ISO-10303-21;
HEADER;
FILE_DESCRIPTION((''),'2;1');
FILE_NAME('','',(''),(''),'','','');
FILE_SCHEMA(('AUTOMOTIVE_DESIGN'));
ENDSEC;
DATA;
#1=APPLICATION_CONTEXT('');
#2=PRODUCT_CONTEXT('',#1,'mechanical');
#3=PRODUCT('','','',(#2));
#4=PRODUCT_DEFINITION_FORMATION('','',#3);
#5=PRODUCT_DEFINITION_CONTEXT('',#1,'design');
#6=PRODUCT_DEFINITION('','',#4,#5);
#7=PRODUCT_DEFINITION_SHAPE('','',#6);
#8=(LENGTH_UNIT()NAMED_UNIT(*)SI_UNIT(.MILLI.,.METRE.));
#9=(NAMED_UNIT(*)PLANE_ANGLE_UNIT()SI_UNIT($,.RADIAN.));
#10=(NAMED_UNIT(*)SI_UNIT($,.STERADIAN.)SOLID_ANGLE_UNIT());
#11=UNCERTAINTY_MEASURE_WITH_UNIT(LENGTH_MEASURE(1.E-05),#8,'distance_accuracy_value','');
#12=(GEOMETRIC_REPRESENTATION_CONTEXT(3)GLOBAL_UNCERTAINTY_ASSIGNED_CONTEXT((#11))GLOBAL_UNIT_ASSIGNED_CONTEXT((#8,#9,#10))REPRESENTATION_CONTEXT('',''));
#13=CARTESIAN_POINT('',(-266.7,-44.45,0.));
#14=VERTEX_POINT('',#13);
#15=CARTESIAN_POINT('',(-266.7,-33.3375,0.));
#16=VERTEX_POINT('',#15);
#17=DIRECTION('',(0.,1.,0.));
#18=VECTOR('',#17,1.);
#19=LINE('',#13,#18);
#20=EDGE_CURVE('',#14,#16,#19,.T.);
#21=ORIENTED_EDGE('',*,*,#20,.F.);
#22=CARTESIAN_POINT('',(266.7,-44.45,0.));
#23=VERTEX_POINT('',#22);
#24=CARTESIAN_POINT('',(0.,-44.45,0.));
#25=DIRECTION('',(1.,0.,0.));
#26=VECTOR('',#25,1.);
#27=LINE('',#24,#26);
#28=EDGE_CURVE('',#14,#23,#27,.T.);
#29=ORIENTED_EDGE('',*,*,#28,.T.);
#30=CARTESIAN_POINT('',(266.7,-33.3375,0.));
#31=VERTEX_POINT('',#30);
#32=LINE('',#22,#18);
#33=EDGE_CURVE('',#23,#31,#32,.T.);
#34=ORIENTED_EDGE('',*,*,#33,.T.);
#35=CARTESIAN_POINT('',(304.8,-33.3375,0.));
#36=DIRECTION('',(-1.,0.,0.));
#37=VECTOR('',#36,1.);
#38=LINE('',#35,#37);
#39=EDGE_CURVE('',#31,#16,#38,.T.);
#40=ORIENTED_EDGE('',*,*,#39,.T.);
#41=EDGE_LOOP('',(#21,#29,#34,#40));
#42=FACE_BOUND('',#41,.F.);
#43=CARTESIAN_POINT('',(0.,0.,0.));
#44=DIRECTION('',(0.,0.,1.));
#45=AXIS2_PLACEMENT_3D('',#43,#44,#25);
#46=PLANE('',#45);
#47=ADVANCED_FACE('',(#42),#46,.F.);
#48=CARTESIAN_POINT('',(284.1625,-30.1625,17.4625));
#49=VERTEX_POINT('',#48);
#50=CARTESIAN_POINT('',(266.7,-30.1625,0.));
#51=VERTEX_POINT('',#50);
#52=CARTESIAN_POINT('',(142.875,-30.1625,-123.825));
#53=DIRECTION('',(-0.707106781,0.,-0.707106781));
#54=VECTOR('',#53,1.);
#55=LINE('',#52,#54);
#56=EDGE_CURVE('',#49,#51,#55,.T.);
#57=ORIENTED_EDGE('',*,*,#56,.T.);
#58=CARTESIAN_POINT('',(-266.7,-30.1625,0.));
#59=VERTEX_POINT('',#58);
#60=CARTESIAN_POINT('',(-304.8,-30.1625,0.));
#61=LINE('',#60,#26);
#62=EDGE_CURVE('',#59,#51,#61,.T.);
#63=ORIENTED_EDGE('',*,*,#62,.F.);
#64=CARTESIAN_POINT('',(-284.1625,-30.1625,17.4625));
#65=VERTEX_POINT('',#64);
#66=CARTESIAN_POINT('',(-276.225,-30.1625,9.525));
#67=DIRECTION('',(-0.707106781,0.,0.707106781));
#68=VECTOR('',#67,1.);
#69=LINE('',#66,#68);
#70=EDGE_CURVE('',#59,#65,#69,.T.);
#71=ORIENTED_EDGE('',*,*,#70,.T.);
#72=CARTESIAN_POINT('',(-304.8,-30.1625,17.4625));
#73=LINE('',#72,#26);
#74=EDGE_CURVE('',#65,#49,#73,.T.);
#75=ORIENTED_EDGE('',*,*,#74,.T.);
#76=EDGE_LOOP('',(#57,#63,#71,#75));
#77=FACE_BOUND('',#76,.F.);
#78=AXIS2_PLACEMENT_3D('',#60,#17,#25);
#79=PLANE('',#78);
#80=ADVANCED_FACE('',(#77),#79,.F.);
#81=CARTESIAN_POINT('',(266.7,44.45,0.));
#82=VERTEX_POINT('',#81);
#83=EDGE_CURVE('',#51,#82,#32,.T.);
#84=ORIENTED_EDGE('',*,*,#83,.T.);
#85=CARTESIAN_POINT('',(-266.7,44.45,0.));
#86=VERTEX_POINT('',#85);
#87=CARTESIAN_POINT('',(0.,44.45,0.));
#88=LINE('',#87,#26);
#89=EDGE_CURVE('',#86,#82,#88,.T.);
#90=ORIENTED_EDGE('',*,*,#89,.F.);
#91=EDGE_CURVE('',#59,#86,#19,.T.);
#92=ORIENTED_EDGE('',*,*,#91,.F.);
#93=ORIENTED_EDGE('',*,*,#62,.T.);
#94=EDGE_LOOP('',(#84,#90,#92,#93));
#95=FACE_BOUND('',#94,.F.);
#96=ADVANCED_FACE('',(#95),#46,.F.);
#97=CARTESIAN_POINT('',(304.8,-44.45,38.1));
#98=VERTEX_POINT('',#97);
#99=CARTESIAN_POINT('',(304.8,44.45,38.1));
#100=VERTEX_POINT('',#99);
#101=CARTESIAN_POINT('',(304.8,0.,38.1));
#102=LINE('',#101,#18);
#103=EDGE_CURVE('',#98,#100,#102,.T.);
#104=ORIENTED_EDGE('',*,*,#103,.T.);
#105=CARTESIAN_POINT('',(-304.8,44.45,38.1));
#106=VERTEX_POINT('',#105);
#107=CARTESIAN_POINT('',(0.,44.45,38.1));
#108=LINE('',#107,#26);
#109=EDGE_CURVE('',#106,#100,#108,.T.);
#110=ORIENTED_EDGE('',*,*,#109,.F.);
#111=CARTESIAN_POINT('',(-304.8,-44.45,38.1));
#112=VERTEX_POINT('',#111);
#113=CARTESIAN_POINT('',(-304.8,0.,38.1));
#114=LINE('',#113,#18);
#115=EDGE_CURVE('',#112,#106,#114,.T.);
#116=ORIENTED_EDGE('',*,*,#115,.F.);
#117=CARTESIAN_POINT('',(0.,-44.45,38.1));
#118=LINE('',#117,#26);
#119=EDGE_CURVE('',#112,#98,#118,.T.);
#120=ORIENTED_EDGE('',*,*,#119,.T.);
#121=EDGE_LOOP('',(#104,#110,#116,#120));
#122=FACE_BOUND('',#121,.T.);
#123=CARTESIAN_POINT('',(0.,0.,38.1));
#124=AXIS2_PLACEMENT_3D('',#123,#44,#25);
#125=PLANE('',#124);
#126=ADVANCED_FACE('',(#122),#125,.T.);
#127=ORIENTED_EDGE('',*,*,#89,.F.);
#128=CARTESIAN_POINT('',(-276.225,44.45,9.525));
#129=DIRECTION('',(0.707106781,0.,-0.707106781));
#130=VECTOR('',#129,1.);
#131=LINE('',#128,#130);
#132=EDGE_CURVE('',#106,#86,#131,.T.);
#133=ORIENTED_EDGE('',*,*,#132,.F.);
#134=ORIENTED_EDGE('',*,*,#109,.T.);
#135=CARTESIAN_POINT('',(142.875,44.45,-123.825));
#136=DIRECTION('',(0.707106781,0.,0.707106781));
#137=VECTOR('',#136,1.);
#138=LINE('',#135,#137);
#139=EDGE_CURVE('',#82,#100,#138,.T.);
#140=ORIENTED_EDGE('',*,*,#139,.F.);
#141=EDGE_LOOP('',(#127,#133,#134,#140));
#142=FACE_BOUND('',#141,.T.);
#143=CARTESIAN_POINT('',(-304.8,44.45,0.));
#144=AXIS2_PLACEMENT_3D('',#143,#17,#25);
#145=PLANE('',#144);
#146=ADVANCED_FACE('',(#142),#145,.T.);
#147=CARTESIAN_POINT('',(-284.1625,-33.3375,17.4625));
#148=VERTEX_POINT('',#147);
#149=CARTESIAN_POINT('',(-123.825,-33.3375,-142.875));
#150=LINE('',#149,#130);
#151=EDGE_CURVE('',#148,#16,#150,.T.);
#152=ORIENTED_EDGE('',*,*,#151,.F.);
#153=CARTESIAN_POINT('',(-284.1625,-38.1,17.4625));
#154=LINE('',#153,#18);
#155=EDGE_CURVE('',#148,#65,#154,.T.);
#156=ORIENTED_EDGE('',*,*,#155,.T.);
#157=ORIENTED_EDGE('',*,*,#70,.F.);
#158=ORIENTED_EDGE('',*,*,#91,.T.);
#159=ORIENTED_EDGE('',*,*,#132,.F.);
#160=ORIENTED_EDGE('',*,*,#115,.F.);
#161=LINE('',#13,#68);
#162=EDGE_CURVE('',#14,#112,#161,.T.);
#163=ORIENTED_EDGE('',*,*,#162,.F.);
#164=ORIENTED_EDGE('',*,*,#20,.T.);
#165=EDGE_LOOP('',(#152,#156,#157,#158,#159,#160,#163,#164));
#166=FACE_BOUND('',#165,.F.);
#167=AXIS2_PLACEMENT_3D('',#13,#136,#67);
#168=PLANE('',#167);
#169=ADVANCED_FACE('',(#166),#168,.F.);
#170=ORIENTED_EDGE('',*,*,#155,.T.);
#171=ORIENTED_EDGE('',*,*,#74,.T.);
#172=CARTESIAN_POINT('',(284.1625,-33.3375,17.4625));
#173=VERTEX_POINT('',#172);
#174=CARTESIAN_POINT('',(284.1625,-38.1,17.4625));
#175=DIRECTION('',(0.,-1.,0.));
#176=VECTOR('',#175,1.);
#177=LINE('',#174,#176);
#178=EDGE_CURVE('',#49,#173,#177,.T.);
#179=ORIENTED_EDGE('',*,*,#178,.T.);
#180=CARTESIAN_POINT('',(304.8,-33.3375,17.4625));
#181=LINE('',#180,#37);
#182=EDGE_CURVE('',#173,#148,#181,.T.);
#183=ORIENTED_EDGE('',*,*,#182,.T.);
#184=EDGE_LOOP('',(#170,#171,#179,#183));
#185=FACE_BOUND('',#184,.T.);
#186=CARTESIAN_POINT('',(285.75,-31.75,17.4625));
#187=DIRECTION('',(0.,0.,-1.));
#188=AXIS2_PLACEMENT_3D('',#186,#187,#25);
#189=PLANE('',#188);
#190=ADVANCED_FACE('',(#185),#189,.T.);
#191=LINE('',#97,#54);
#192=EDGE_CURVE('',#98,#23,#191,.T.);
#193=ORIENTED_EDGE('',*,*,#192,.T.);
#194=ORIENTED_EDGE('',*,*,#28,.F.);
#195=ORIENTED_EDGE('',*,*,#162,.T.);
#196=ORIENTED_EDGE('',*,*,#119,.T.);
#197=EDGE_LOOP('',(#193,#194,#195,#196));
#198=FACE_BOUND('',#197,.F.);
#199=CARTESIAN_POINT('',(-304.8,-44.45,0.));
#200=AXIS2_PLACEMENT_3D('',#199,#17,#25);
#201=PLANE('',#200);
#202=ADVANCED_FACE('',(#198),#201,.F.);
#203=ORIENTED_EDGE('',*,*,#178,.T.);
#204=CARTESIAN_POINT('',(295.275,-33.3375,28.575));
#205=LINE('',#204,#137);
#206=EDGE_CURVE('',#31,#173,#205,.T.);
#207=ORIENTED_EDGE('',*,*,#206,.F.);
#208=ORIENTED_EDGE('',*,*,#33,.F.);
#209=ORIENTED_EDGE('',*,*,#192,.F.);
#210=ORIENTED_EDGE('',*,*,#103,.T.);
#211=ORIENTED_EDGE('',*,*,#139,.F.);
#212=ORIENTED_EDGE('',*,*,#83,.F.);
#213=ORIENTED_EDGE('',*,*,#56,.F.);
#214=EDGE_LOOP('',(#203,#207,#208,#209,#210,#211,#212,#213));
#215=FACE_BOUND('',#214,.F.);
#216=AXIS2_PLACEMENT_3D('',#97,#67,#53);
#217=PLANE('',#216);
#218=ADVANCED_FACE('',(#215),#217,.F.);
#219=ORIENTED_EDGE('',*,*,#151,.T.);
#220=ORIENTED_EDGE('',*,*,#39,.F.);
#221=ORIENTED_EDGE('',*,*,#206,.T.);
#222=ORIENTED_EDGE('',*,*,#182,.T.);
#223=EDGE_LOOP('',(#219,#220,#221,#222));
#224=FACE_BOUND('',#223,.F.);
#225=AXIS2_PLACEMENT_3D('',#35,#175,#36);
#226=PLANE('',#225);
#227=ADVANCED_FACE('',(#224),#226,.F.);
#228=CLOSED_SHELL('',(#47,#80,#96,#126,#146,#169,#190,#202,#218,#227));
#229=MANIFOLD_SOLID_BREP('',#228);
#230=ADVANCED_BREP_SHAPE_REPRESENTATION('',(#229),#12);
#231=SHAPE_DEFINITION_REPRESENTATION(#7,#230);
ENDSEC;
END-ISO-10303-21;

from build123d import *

# Parameters (mm, degrees)
F0_W     = 609.6
F0_H     = 88.9
F2_DEPTH = 38.1
F4_DEPTH = 88.901
F5_W     = 38.1
F5_H     = 3.175
F5_W_2   = 533.4
F1_DEPTH = 17.4625


with BuildPart() as f2:
    # F0 (on Top) → F2 (new body)
    with BuildSketch(Plane.XY):
        Rectangle(F0_W, F0_H)
    extrude(amount=F2_DEPTH)

    # F3 (on face) → F4 (cut, through all)
    with BuildSketch(Plane.XZ.offset(44.45)):
        Polygon((-266.7, 0), (-304.8, 38.1), (-304.8, 0), align=None)
        Polygon((304.8, 0), (304.8, 38.1), (266.7, 0), align=None)
    extrude(amount=-F4_DEPTH, mode=Mode.SUBTRACT)

    # F5 (on face) → F1 (cut)
    with BuildSketch(Plane(origin=(0, 0, 0), x_dir=(1, 0, 0), z_dir=(0, 0, -1))):
        with Locations((285.75, 31.75)):
            Rectangle(F5_W, F5_H)
        with Locations((0, 31.75)):
            Rectangle(F5_W_2, F5_H)
        with Locations((-285.75, 31.75)):
            Rectangle(F5_W, F5_H)
    extrude(amount=-F1_DEPTH, mode=Mode.SUBTRACT)


solid = f2.part
